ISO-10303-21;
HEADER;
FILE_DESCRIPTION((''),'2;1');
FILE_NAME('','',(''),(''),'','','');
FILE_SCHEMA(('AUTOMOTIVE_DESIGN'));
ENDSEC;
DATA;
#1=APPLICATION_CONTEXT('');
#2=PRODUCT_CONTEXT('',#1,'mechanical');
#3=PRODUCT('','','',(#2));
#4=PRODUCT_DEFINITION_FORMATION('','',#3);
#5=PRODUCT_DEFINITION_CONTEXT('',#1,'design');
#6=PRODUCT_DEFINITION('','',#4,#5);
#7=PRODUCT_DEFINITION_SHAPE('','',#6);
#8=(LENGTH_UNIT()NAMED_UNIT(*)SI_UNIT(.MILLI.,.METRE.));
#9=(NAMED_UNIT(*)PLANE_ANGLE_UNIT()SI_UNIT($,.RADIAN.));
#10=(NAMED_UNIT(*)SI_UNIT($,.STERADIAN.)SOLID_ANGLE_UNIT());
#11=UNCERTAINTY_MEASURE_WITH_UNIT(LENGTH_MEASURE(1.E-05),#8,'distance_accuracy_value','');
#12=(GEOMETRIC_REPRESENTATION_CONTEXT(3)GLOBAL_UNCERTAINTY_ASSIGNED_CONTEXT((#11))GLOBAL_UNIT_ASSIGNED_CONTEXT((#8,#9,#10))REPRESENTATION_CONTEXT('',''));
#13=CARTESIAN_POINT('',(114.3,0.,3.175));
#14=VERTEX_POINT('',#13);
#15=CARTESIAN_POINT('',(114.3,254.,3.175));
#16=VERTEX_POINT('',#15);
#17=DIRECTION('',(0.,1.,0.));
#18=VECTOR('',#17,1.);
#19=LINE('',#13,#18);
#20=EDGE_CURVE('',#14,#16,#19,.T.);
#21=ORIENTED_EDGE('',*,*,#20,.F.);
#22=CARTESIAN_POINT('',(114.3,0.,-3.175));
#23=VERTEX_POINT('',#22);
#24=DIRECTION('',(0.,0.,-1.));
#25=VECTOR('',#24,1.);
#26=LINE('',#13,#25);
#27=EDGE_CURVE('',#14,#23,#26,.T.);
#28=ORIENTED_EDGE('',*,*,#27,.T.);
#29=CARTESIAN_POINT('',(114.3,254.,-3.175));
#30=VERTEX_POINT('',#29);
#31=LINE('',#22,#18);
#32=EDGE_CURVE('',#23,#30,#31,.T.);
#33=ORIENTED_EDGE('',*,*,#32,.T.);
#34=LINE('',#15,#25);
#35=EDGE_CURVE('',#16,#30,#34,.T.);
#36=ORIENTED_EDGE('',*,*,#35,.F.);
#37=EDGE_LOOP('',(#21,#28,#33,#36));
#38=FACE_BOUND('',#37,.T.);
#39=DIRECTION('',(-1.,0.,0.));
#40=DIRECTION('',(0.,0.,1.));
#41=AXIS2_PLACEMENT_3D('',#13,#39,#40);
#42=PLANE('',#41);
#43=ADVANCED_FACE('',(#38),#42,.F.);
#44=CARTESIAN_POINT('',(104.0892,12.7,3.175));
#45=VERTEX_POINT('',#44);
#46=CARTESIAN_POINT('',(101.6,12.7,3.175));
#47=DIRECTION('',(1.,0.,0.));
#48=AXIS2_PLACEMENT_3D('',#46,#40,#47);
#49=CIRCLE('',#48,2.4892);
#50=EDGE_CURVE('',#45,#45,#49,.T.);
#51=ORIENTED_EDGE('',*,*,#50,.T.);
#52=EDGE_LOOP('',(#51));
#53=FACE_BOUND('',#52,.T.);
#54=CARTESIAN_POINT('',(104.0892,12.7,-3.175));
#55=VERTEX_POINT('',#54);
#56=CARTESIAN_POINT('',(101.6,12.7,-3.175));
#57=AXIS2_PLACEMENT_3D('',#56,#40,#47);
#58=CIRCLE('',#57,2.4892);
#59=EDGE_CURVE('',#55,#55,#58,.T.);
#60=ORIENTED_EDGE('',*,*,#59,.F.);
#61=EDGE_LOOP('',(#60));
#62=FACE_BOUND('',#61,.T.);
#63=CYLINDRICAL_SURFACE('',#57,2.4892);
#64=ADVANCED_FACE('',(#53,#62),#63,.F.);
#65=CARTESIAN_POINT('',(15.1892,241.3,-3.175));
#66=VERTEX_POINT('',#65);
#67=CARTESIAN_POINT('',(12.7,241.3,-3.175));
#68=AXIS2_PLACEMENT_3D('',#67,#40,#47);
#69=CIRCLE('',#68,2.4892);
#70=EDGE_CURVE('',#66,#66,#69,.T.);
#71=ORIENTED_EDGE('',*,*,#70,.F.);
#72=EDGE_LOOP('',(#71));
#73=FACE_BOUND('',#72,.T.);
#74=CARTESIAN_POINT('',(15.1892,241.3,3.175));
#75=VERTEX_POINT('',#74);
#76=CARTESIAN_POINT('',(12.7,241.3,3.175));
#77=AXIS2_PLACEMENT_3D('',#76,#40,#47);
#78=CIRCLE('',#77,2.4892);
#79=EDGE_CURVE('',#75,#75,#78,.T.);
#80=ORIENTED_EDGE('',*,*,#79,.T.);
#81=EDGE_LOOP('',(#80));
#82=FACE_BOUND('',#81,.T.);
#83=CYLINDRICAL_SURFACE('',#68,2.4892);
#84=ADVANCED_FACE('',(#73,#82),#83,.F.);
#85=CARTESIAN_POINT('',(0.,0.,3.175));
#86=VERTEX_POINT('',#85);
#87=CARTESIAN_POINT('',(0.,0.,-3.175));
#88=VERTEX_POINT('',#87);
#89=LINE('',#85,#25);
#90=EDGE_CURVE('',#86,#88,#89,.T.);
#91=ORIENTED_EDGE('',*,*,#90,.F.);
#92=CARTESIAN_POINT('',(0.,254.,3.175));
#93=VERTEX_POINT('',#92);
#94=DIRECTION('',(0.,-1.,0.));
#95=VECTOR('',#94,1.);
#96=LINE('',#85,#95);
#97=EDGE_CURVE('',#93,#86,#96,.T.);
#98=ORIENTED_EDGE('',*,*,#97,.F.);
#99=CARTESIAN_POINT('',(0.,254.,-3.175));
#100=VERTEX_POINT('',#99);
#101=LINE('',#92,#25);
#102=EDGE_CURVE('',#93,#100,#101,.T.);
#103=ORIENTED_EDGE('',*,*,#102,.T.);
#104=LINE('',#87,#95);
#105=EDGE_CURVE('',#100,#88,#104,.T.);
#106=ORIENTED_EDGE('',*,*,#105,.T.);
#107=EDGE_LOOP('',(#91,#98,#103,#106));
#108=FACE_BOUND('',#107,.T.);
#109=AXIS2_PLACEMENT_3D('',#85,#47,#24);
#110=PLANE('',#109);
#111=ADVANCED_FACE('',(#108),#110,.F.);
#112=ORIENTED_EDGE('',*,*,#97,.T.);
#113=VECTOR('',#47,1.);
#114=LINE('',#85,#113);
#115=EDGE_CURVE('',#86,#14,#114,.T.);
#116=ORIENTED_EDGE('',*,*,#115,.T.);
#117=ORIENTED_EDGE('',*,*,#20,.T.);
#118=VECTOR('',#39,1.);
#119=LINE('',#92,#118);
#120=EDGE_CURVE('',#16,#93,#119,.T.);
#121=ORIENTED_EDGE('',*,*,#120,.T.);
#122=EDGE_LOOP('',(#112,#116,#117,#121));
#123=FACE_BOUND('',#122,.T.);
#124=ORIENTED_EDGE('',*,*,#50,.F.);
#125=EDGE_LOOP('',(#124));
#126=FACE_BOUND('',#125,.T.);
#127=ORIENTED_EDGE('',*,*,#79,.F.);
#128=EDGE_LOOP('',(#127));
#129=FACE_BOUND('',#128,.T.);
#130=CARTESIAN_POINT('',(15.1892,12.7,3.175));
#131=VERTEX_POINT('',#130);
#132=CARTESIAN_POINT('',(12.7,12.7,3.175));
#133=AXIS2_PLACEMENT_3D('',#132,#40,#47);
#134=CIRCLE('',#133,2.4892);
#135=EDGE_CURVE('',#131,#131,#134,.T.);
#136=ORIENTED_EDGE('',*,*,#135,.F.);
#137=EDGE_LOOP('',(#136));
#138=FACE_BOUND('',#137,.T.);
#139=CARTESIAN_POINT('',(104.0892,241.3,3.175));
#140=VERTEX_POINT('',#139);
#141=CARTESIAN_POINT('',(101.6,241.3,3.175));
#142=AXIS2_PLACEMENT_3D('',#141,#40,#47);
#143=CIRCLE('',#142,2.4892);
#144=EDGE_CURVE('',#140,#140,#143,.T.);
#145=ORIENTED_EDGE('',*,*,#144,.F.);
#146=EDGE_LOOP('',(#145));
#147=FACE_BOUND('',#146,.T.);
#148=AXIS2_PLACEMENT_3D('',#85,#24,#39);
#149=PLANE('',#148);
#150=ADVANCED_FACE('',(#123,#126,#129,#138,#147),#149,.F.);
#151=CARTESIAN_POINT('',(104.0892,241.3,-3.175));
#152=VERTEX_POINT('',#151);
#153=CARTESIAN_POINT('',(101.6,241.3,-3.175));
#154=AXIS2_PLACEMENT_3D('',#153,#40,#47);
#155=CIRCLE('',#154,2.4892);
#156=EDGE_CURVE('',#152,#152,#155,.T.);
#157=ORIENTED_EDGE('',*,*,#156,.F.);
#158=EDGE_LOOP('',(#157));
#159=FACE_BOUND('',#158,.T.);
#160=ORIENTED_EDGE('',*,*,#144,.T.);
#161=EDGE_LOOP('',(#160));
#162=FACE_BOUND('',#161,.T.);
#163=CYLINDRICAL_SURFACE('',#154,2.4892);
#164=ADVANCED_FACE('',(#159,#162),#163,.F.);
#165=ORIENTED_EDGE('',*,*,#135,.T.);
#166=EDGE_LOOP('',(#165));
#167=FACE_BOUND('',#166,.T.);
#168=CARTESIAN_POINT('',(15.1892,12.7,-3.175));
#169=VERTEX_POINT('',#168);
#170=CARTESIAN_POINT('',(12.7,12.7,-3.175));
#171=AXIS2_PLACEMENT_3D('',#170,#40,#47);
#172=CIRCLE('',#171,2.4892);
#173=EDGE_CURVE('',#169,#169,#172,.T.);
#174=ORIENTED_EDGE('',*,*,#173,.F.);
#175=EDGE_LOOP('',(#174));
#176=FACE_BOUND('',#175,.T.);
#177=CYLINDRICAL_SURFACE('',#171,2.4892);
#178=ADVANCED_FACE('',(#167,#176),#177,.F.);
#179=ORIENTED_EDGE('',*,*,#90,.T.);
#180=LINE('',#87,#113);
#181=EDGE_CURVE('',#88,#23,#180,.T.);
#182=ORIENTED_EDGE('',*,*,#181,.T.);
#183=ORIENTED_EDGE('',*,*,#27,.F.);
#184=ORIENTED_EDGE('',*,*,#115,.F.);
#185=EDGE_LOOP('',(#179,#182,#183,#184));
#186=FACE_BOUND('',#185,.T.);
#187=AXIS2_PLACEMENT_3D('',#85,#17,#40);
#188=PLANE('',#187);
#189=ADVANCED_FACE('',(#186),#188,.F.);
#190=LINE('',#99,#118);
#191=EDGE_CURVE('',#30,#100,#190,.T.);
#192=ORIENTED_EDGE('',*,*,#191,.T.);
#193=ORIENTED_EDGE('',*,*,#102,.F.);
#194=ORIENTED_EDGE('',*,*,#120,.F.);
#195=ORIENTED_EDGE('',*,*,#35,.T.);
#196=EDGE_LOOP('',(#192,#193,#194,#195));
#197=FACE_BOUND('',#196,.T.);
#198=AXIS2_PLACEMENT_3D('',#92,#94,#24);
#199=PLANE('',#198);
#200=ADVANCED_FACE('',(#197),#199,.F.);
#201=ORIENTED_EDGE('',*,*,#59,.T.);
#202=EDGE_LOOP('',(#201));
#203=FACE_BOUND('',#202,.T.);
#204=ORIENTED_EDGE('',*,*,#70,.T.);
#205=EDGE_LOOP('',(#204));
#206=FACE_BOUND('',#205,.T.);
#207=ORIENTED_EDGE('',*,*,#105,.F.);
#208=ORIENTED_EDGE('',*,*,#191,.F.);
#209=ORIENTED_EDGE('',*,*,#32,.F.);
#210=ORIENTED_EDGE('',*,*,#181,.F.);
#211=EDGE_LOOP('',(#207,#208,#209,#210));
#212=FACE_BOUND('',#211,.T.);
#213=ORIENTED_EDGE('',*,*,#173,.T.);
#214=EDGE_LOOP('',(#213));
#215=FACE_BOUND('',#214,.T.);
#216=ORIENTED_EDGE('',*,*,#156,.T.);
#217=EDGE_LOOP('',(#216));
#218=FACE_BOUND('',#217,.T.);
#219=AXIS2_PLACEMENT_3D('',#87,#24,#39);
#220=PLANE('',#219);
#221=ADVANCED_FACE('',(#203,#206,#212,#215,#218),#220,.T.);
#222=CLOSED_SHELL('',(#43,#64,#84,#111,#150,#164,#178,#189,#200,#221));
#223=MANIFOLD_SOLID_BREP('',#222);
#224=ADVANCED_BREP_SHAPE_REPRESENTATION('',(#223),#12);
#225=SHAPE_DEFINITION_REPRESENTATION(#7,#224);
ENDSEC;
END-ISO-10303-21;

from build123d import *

# Parameters (mm, degrees)
SKETCH1_W           = 114.3
SKETCH1_H           = 254
BOSS_EXTRUDE1_DEPTH = 3.175
SKETCH2_R           = 2.4892
CUT_EXTRUDE1_DEPTH  = 279.6051193


with BuildPart() as part:
    # Sketch1 → Boss-Extrude1 (new, symmetric)
    with BuildSketch(Plane.XY):
        with Locations((57.15, 127)):
            Rectangle(SKETCH1_W, SKETCH1_H)
    extrude(amount=BOSS_EXTRUDE1_DEPTH, both=True)

    # Sketch2 → Cut-Extrude1 (cut, through all)
    with BuildSketch(Plane.XY.offset(3.175)):
        with Locations((12.7, 241.3)):
            Circle(SKETCH2_R)
        with Locations((12.7, 12.7)):
            Circle(SKETCH2_R)
        with Locations((101.6, 241.3)):
            Circle(SKETCH2_R)
        with Locations((101.6, 12.7)):
            Circle(SKETCH2_R)
    extrude(amount=-CUT_EXTRUDE1_DEPTH, mode=Mode.SUBTRACT)


solid = part.part
